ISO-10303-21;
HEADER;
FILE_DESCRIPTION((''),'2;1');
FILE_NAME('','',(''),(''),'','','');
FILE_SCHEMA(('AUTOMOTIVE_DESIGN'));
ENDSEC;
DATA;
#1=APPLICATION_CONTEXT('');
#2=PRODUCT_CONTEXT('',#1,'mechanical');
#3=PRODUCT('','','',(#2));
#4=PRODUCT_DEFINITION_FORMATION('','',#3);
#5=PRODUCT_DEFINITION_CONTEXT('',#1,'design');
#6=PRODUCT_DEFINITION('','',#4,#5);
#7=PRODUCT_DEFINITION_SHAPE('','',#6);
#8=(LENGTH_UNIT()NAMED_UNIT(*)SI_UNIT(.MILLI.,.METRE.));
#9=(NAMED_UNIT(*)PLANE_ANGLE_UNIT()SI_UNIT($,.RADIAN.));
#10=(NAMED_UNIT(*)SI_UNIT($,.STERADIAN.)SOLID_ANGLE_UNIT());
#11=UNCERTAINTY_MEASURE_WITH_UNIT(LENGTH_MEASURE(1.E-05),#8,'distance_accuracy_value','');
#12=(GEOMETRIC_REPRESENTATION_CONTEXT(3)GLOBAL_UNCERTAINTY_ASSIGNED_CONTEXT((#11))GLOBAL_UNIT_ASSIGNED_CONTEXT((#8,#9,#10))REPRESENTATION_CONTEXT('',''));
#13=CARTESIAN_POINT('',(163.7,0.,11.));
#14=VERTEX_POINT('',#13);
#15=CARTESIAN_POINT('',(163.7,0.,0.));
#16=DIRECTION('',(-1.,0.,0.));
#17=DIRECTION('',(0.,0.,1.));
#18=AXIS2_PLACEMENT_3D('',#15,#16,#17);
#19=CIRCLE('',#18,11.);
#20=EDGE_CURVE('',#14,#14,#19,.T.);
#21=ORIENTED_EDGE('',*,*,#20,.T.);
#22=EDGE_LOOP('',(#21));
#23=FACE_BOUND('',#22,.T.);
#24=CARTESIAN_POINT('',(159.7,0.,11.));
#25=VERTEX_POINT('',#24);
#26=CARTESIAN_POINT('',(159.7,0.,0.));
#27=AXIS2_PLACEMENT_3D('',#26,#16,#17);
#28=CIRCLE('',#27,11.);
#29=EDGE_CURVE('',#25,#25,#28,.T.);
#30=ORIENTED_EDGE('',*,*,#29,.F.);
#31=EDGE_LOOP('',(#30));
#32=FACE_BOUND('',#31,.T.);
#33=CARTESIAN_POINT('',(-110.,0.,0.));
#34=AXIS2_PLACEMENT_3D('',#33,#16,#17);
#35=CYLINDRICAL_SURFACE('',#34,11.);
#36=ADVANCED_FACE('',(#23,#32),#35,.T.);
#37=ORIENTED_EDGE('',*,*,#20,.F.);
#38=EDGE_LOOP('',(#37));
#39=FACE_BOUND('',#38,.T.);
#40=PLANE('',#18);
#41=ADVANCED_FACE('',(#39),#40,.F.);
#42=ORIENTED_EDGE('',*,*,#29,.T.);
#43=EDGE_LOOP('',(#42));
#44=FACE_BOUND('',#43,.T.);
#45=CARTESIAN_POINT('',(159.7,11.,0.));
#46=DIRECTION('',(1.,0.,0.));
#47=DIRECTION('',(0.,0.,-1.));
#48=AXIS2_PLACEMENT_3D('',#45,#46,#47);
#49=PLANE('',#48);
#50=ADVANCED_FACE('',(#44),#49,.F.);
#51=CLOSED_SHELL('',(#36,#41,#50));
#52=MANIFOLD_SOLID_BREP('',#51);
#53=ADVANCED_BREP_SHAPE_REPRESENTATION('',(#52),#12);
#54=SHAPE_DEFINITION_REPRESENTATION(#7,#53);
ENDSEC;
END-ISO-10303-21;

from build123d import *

# Parameters (mm, degrees)
AXIAL_PROFILE_MM_W = 4
AXIAL_PROFILE_MM_H = 11


with BuildPart() as part:
    # Axial profile (mm) → Full revolution (revolve)
    with BuildSketch(Plane.XY, mode=Mode.PRIVATE) as full_revolution_sk:
        with Locations((161.7, 5.5)):
            Rectangle(AXIAL_PROFILE_MM_W, AXIAL_PROFILE_MM_H)
    revolve(full_revolution_sk.sketch.rotate(Axis((-110, 0, 0), (1, 0, 0)), 90), axis=Axis((-110, 0, 0), (1, 0, 0)))


solid = part.part
